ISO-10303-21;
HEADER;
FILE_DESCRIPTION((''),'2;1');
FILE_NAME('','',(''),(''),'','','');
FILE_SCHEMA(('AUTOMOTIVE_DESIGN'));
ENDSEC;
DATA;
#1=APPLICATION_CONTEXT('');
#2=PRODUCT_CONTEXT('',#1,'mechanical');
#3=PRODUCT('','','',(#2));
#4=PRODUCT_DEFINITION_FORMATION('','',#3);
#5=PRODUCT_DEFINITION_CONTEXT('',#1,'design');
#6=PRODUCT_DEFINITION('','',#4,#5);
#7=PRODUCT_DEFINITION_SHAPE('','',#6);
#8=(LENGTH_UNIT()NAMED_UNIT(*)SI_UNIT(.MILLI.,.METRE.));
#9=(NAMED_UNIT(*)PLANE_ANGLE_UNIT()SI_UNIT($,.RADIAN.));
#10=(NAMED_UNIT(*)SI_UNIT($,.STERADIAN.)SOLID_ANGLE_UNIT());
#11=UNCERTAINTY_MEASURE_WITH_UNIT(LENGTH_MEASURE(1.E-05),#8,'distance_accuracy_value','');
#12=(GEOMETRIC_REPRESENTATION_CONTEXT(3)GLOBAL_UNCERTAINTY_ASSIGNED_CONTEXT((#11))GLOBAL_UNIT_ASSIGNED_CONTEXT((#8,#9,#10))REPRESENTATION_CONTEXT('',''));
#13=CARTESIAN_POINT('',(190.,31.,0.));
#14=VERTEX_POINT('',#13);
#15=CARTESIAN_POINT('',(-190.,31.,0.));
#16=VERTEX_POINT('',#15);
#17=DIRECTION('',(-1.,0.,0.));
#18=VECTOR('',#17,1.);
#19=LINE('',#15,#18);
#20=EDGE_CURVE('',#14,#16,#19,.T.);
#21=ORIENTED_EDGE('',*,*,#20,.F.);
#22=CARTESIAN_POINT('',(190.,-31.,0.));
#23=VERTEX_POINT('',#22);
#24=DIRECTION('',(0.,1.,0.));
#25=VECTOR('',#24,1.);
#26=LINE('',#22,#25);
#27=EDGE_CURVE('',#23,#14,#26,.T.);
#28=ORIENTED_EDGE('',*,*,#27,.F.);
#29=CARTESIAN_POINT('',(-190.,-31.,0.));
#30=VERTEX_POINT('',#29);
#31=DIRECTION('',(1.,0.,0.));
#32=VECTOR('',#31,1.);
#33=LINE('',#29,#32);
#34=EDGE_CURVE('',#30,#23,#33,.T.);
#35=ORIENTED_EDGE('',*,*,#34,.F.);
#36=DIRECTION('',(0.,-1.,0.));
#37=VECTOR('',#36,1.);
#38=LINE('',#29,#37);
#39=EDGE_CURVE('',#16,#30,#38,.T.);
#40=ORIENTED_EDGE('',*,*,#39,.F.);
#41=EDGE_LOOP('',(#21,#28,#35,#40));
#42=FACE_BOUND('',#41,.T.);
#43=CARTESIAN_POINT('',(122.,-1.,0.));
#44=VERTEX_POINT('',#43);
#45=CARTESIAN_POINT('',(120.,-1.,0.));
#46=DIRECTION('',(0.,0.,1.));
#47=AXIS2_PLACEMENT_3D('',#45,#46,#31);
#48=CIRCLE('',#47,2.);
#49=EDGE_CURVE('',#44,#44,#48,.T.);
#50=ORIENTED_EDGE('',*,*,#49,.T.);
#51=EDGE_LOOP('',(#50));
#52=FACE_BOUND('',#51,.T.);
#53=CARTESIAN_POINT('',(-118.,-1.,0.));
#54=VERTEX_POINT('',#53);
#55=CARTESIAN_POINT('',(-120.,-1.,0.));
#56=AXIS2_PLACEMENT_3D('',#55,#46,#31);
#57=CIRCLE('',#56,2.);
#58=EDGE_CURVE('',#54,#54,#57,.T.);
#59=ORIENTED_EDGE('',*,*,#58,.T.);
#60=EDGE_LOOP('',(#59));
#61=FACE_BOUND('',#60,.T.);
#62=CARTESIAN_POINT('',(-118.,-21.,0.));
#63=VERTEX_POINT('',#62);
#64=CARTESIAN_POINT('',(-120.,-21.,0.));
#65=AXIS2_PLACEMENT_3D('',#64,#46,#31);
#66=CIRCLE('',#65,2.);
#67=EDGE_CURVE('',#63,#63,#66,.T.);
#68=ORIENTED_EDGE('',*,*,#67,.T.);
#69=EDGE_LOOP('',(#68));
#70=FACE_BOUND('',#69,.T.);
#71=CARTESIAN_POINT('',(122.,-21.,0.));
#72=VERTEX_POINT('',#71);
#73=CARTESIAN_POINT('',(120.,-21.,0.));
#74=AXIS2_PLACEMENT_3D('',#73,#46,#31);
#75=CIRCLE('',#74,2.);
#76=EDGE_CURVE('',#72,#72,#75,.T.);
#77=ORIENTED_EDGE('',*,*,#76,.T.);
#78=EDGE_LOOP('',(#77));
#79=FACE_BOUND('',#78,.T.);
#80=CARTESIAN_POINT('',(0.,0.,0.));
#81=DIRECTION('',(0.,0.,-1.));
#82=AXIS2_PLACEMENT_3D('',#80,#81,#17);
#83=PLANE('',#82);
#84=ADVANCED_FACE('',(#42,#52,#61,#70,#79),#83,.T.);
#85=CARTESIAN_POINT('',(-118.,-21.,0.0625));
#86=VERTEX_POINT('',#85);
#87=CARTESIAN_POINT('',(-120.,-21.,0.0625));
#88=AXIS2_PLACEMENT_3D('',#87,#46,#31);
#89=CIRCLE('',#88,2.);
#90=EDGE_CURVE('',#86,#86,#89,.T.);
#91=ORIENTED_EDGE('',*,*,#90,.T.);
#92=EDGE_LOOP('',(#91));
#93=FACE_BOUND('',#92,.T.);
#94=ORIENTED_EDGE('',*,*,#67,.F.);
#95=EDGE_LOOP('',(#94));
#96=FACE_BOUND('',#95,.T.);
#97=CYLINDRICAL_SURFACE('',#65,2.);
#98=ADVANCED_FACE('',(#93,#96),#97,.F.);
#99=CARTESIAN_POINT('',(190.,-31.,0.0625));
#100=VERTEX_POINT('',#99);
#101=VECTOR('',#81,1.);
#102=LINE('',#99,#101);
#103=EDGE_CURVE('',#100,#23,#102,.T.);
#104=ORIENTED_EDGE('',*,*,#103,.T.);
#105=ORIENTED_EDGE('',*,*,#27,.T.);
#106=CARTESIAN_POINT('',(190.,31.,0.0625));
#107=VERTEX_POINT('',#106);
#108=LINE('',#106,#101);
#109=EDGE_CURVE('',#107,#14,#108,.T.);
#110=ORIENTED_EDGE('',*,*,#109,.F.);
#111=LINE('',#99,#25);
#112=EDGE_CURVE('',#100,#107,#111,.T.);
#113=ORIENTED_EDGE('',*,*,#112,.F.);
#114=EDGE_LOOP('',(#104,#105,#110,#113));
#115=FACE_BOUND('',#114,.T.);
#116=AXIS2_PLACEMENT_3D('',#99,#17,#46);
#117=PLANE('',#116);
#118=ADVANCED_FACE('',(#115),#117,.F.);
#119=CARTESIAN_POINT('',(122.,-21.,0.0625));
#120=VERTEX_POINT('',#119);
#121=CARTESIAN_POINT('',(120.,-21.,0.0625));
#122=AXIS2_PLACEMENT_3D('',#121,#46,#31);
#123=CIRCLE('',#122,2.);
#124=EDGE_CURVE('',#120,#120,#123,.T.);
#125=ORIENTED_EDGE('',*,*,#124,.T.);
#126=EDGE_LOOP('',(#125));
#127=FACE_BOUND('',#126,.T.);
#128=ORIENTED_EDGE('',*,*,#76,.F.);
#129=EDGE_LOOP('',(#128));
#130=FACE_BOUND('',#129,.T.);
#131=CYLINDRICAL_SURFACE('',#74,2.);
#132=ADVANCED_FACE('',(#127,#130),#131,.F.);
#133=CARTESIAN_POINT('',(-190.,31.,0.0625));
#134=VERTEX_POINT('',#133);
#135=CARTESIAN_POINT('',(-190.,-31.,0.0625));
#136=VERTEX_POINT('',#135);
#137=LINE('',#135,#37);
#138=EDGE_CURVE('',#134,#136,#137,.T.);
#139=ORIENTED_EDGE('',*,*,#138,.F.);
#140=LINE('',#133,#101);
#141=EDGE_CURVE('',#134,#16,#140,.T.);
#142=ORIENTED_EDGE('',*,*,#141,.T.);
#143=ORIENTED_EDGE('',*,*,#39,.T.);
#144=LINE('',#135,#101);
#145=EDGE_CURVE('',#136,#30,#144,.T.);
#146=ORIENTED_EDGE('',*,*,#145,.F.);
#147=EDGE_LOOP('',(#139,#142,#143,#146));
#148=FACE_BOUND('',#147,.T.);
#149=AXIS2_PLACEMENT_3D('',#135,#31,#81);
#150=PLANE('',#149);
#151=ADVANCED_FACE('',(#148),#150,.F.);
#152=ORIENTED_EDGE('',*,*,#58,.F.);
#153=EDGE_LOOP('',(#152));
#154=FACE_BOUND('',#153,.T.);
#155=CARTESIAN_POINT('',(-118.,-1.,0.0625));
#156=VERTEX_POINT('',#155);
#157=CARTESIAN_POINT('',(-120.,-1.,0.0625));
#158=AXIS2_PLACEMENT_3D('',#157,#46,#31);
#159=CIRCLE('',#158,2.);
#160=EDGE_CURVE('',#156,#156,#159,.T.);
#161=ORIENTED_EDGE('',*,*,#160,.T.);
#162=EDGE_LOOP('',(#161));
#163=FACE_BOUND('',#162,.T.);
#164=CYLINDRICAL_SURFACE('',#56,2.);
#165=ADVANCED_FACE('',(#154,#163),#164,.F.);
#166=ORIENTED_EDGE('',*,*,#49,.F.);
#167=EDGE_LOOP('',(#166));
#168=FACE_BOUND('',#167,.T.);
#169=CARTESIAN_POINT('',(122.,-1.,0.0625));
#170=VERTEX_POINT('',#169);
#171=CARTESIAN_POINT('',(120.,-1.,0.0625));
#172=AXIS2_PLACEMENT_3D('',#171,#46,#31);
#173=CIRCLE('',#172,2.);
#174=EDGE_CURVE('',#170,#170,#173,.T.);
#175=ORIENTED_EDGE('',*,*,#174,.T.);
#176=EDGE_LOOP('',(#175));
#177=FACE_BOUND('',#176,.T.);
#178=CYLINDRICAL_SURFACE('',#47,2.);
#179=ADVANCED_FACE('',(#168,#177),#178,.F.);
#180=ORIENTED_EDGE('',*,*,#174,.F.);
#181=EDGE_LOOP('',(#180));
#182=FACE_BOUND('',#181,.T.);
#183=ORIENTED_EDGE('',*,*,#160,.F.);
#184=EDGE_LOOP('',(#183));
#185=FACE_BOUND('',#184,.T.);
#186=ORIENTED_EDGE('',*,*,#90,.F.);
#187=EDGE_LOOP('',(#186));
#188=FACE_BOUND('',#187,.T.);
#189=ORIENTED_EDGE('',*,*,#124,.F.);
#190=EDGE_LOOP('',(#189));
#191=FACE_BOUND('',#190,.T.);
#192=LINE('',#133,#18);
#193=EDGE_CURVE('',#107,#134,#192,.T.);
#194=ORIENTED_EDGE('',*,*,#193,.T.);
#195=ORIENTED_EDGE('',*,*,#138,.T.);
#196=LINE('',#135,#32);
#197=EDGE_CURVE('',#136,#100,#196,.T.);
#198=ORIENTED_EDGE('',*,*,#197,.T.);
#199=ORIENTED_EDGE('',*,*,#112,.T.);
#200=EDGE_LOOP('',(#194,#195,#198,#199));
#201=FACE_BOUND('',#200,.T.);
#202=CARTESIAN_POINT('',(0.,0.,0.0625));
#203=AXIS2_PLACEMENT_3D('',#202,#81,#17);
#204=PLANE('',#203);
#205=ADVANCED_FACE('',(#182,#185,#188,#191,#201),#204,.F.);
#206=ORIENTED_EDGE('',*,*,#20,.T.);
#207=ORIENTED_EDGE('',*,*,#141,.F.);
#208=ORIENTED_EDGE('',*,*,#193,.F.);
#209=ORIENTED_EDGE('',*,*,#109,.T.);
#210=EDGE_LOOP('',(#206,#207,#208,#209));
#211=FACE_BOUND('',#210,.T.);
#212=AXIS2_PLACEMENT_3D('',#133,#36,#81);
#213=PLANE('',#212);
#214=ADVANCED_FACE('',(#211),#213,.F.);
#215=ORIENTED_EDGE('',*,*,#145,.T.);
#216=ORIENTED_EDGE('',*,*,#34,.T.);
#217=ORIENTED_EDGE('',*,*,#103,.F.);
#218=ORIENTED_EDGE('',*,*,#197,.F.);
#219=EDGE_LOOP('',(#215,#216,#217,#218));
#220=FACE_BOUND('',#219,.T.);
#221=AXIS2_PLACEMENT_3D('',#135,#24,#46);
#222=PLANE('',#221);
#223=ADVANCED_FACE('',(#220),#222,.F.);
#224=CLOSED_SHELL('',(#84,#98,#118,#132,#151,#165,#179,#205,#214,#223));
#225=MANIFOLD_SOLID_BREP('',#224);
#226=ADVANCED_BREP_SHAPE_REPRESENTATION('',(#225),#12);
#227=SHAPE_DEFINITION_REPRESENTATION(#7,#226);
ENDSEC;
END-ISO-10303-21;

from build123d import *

# Parameters (mm, degrees)
SKETCH1_W             = 380
SKETCH1_H             = 62
BODY_DEPTH            = 0.0625
SKETCH2_R             = 2
MAGNETIC_HOLDER_DEPTH = 0.0625


with BuildPart() as part:
    # Sketch1 → Body (new body)
    with BuildSketch(Plane.XY):
        Rectangle(SKETCH1_W, SKETCH1_H)
    extrude(amount=BODY_DEPTH)

    # Sketch2 → Magnetic Holder (cut)
    with BuildSketch(Plane.XY.offset(0.0625)):
        with Locations((-120, -1)):
            Circle(SKETCH2_R)
        with Locations((120, -1)):
            Circle(SKETCH2_R)
        with Locations((120, -21)):
            Circle(SKETCH2_R)
        with Locations((-120, -21)):
            Circle(SKETCH2_R)
    extrude(amount=-MAGNETIC_HOLDER_DEPTH, mode=Mode.SUBTRACT)


solid = part.part
